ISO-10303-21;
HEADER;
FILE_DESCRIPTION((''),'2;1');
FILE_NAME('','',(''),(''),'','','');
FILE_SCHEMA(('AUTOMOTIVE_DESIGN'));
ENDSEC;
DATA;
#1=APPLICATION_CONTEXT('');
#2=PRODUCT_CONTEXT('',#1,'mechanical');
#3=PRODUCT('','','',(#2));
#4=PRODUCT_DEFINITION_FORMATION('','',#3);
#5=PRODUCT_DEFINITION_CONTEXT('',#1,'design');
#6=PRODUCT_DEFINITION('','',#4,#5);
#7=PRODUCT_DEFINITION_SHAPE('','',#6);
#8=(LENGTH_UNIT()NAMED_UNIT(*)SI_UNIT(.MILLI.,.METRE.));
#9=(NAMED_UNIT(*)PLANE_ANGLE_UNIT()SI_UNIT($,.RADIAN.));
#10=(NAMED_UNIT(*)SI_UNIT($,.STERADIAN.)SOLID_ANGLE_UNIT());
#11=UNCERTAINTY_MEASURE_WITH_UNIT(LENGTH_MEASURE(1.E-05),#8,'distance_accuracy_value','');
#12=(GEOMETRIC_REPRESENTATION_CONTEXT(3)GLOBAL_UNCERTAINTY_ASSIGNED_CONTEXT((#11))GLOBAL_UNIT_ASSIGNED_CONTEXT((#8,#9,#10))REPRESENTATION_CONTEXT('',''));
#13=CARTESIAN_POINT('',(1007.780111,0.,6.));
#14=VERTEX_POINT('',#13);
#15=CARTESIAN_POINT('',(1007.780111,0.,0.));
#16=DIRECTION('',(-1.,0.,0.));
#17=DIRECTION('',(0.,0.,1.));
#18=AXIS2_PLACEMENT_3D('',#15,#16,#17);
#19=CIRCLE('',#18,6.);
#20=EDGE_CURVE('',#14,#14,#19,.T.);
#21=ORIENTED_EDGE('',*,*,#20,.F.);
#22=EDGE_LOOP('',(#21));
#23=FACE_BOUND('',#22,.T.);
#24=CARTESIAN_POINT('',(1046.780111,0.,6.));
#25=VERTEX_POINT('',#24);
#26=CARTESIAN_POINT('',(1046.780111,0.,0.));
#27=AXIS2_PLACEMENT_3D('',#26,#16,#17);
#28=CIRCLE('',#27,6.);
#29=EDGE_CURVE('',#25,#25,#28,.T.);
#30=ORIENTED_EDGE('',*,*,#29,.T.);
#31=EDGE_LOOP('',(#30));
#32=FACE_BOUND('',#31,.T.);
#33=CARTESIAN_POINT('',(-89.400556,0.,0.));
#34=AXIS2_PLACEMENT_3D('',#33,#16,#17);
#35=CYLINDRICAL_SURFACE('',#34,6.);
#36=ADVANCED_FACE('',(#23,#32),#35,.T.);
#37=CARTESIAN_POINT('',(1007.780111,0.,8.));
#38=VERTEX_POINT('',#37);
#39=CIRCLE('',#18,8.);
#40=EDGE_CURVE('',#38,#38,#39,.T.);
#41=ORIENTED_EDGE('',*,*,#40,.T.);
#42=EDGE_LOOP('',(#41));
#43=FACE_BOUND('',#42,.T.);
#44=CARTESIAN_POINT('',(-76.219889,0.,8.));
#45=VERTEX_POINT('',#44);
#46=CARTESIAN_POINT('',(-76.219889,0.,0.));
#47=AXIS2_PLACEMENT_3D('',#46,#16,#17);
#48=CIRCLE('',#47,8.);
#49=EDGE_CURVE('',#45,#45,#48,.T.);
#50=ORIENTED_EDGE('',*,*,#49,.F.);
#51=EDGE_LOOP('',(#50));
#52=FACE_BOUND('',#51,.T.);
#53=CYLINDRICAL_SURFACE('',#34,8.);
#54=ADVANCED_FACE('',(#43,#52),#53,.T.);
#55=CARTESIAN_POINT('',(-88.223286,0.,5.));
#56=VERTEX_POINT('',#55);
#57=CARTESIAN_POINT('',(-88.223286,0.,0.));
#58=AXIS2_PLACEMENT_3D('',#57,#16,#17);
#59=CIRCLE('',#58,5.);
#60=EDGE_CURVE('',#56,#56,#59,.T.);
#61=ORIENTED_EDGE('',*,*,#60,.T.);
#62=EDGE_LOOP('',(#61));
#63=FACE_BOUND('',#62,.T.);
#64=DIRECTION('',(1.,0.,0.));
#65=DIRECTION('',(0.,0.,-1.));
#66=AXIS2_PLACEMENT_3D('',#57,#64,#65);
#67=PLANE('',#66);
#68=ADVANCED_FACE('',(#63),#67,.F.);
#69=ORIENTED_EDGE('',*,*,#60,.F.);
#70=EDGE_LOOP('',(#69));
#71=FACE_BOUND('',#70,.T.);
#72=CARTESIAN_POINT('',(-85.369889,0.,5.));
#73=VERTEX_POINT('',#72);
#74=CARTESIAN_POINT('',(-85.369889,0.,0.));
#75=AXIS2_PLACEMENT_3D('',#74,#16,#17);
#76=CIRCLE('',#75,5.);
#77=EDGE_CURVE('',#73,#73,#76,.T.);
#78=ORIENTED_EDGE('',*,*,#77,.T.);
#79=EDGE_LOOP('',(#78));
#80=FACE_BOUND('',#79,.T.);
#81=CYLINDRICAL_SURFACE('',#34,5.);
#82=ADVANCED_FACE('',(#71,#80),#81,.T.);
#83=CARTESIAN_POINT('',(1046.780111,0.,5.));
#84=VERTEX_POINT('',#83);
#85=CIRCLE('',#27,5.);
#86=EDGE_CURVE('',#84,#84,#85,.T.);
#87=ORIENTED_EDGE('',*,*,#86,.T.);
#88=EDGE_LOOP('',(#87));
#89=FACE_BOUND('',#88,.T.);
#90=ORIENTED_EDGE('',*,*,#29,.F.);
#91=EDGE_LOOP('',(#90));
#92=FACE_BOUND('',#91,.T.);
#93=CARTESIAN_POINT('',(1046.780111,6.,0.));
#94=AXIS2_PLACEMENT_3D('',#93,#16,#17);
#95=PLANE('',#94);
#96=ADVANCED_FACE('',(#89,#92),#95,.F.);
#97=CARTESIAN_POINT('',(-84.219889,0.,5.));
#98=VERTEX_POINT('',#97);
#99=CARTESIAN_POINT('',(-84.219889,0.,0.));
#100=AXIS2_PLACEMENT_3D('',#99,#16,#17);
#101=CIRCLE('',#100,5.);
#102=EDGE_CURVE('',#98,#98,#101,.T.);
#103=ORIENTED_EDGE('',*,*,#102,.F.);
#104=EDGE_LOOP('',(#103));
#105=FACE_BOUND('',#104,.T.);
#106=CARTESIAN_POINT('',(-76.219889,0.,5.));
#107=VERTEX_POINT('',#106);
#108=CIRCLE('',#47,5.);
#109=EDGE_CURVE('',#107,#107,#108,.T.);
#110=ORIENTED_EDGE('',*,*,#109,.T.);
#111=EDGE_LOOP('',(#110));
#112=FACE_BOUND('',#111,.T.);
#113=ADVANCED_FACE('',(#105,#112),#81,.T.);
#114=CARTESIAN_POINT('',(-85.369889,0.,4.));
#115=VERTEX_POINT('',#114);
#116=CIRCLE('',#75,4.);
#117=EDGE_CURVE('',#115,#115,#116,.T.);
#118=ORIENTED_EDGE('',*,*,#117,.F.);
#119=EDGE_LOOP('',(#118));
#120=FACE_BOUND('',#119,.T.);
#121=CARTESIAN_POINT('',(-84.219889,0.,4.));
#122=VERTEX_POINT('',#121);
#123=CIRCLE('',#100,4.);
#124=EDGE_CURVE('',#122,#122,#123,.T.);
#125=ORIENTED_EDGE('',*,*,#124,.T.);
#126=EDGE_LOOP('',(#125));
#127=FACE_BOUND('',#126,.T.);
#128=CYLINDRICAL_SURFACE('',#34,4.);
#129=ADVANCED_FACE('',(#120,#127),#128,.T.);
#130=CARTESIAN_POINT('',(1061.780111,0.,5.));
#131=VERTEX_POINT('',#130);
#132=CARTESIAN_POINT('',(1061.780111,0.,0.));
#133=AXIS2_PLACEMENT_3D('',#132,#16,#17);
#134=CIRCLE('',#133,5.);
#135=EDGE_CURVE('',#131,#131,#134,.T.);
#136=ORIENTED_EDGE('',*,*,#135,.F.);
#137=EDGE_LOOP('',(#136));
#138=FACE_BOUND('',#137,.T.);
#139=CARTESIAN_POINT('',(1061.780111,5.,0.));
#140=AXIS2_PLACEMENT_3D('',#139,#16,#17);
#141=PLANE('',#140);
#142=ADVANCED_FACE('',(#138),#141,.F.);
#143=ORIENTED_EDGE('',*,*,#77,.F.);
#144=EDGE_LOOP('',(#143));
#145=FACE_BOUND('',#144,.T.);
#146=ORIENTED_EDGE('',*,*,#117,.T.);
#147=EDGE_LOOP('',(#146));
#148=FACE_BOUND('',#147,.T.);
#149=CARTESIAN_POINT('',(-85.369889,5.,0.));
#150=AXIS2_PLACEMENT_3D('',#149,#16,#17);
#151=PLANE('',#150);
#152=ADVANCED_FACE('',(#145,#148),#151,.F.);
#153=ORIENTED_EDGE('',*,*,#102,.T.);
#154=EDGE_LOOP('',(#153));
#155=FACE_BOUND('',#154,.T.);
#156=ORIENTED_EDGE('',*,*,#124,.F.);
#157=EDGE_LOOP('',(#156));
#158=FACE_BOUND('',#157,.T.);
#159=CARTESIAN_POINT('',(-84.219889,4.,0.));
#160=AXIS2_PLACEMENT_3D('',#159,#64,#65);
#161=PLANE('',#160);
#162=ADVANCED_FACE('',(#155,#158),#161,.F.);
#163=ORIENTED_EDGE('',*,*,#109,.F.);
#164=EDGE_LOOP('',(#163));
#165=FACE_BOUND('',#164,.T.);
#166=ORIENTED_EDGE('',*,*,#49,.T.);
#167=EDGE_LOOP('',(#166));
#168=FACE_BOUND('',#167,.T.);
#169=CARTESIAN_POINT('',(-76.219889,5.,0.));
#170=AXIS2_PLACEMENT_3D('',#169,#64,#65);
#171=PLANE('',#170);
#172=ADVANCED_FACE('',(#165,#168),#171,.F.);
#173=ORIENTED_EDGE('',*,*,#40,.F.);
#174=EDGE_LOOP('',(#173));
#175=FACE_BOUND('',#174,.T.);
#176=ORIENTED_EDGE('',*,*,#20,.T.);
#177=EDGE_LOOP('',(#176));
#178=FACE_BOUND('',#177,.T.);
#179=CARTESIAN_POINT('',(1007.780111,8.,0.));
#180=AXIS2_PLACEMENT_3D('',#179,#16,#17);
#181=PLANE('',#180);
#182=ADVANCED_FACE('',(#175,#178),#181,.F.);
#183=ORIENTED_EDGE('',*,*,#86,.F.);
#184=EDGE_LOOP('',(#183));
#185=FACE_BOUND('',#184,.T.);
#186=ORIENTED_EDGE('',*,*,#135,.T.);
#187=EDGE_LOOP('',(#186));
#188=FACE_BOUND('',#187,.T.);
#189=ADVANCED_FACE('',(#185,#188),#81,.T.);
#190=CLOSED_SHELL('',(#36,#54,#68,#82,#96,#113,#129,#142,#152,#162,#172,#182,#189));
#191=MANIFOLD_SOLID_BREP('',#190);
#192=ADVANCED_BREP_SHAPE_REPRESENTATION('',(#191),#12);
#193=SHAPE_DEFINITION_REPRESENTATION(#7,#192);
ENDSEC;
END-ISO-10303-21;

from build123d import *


with BuildPart() as part:
    # Esquisse1 → Révolution1 (revolve)
    with BuildSketch(Plane.XY, mode=Mode.PRIVATE) as r_volution1_sk:
        Polygon((-88.223286033, 0), (-88.223286033, 5), (-85.369889122, 5), (-85.369889122, 4), (-84.219889122, 4), (-84.219889122, 5), (-76.219889122, 5), (-76.219889122, 8), (1007.780110878, 8), (1007.780110878, 6), (1034.780110878, 6), (1046.780110878, 6), (1046.780110878, 5), (1061.780110878, 5), (1061.780110878, 0), align=None)
    revolve(r_volution1_sk.sketch.rotate(Axis((-89.400555638, 0, 0), (1, 0, 0)), 90), axis=Axis((-89.400555638, 0, 0), (1, 0, 0)))


solid = part.part
